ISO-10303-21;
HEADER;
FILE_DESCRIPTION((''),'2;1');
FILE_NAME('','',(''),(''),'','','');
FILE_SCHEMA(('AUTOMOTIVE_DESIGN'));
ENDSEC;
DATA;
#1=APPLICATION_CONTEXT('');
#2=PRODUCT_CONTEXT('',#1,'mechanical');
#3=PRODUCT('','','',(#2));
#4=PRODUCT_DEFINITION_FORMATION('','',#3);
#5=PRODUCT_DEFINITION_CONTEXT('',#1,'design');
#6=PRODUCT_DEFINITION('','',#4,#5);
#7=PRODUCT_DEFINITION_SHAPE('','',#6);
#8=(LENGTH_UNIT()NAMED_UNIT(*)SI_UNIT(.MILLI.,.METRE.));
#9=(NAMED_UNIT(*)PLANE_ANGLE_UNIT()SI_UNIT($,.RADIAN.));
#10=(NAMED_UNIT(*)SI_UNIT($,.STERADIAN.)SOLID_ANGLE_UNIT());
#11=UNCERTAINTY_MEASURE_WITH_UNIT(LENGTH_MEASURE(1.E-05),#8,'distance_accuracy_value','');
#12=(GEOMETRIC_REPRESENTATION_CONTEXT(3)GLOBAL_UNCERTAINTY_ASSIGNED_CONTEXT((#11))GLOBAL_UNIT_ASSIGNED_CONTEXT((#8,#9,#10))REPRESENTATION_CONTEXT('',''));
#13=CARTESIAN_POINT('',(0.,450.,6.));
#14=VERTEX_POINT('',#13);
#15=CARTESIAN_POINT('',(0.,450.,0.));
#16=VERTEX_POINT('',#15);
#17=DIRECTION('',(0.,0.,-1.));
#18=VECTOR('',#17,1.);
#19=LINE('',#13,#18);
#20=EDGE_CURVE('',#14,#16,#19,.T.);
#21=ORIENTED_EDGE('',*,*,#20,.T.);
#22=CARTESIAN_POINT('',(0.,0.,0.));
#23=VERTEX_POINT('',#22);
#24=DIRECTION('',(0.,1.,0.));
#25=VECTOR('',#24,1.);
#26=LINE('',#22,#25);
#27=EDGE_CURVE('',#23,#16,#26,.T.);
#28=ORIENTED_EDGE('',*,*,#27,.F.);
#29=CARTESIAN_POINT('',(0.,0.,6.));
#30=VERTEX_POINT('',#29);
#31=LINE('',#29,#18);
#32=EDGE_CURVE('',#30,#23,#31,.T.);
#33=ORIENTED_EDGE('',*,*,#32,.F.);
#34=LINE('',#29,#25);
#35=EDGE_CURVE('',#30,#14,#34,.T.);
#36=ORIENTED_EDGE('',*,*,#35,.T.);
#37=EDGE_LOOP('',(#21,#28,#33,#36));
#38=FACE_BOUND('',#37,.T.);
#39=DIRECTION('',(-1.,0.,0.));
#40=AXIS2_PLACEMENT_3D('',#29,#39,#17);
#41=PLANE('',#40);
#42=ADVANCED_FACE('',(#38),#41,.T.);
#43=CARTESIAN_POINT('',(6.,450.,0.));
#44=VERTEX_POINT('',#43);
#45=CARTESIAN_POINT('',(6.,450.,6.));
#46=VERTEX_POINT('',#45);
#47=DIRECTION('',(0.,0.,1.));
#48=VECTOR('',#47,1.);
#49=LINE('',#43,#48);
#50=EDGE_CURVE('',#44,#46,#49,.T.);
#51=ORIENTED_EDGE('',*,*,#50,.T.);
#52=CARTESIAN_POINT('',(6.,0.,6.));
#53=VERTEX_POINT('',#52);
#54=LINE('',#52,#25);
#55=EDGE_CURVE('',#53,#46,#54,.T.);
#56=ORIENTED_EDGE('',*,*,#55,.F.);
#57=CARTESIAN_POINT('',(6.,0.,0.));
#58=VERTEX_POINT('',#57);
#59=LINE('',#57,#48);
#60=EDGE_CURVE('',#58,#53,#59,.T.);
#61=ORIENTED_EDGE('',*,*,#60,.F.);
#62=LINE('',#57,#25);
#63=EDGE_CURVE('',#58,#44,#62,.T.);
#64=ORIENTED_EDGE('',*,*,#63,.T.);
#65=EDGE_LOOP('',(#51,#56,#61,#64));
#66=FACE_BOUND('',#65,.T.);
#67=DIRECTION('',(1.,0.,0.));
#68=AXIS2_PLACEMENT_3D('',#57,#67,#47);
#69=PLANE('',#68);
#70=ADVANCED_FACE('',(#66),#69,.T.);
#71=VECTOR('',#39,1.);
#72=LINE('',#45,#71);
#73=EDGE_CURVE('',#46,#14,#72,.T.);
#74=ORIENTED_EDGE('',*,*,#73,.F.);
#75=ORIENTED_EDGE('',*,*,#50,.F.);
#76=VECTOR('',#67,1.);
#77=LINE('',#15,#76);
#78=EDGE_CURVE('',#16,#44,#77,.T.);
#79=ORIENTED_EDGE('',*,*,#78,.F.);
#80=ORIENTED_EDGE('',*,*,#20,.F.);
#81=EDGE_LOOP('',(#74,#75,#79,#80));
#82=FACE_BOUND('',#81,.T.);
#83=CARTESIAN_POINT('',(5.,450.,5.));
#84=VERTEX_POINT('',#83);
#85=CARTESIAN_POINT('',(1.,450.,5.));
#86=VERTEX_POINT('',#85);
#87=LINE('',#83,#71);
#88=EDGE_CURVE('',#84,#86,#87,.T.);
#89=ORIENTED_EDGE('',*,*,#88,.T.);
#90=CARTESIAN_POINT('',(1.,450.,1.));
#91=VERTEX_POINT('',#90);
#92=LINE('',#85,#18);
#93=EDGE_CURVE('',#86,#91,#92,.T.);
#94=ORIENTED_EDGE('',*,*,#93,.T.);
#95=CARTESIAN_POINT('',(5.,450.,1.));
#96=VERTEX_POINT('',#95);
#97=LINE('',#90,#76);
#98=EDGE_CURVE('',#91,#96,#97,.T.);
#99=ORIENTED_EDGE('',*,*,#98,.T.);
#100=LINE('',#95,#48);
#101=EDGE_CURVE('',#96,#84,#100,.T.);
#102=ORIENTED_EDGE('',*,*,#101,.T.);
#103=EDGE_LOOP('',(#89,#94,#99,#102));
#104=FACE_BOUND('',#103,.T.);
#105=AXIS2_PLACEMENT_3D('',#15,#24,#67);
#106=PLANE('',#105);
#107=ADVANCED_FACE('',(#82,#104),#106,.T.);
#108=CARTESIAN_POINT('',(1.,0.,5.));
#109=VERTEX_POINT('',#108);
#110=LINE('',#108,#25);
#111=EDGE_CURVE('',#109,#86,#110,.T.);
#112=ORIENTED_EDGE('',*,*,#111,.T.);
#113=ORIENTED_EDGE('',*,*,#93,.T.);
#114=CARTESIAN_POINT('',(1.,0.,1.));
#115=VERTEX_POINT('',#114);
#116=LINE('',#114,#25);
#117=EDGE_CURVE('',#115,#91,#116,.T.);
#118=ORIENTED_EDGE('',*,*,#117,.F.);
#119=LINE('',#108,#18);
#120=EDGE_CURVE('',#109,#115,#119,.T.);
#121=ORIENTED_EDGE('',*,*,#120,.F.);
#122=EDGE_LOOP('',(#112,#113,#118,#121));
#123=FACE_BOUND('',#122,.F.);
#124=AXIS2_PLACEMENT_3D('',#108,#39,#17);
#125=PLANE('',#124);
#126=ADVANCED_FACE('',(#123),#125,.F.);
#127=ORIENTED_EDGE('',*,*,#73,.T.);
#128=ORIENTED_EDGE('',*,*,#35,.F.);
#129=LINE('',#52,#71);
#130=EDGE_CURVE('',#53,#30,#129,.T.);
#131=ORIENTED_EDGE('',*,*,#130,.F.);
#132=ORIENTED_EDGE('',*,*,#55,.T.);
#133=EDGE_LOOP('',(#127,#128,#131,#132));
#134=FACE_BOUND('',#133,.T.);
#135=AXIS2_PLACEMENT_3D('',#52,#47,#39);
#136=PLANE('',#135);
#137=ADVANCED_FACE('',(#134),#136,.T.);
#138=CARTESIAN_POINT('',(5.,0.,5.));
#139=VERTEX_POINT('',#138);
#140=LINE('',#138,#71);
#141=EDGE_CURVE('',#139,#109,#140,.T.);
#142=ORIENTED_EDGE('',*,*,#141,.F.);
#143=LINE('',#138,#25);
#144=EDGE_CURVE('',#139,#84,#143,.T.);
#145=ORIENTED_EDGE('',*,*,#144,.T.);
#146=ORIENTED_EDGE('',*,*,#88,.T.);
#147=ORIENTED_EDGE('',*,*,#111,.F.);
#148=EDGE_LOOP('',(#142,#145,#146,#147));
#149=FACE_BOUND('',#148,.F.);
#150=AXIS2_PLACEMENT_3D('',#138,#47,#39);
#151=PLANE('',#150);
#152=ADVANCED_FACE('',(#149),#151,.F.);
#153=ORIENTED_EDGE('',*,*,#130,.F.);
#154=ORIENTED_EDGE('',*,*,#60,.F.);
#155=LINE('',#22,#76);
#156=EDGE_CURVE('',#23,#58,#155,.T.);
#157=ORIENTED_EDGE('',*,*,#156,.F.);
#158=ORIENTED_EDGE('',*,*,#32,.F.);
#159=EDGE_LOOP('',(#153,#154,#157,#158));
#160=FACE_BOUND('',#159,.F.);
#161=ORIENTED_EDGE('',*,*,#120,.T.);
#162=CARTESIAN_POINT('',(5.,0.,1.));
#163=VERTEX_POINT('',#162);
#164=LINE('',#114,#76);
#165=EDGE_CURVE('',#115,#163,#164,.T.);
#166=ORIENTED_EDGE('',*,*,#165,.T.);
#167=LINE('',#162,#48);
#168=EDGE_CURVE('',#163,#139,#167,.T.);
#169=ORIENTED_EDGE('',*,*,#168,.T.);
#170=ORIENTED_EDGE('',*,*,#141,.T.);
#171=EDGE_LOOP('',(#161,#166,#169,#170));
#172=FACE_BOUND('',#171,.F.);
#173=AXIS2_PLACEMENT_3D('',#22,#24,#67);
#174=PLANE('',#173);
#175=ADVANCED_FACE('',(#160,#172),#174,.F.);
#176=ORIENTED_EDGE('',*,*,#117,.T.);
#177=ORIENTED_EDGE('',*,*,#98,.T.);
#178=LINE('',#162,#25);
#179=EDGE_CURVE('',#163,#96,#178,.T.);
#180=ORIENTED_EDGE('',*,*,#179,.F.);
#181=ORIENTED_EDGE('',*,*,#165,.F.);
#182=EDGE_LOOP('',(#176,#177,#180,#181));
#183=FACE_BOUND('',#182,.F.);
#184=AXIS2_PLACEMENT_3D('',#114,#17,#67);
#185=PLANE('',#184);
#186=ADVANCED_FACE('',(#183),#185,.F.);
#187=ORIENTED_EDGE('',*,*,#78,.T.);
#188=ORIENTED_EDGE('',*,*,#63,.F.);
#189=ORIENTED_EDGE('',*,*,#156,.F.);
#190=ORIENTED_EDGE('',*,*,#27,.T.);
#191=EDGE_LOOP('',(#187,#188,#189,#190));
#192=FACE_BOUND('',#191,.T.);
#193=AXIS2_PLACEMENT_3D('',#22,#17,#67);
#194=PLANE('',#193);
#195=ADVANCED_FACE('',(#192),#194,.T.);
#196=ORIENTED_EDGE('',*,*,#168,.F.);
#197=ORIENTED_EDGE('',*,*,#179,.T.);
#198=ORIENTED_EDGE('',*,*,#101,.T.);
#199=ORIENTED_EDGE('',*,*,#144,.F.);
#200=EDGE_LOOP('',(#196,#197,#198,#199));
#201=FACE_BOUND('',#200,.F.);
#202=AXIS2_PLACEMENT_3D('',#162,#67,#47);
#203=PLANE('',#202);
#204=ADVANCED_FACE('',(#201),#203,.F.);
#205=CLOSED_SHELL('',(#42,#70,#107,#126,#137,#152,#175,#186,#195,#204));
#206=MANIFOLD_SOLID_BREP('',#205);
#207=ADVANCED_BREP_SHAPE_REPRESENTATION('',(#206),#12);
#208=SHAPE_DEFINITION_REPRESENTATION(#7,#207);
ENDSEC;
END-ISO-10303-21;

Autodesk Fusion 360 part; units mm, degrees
sketch "Sketch1" plane through (0, 0, 0) normal (0, 1, 0) x (1, 0, 0)
  line L0 (0, 0) -> (6, 0)
  line L1 (6, 0) -> (6, -6)
  line L2 (6, -6) -> (0, -6)
  line L3 (0, -6) -> (0, 0)
  line L4 (5, -5) -> (1, -5)
  line L5 (1, -5) -> (1, -1)
  line L6 (1, -1) -> (5, -1)
  line L7 (5, -1) -> (5, -5)
  dimension "d1" = 6
  dimension "d2" = 6
  dimension "d3" = 1
extrude "Extrude1" add sketch "Sketch1" along normal blind 450
